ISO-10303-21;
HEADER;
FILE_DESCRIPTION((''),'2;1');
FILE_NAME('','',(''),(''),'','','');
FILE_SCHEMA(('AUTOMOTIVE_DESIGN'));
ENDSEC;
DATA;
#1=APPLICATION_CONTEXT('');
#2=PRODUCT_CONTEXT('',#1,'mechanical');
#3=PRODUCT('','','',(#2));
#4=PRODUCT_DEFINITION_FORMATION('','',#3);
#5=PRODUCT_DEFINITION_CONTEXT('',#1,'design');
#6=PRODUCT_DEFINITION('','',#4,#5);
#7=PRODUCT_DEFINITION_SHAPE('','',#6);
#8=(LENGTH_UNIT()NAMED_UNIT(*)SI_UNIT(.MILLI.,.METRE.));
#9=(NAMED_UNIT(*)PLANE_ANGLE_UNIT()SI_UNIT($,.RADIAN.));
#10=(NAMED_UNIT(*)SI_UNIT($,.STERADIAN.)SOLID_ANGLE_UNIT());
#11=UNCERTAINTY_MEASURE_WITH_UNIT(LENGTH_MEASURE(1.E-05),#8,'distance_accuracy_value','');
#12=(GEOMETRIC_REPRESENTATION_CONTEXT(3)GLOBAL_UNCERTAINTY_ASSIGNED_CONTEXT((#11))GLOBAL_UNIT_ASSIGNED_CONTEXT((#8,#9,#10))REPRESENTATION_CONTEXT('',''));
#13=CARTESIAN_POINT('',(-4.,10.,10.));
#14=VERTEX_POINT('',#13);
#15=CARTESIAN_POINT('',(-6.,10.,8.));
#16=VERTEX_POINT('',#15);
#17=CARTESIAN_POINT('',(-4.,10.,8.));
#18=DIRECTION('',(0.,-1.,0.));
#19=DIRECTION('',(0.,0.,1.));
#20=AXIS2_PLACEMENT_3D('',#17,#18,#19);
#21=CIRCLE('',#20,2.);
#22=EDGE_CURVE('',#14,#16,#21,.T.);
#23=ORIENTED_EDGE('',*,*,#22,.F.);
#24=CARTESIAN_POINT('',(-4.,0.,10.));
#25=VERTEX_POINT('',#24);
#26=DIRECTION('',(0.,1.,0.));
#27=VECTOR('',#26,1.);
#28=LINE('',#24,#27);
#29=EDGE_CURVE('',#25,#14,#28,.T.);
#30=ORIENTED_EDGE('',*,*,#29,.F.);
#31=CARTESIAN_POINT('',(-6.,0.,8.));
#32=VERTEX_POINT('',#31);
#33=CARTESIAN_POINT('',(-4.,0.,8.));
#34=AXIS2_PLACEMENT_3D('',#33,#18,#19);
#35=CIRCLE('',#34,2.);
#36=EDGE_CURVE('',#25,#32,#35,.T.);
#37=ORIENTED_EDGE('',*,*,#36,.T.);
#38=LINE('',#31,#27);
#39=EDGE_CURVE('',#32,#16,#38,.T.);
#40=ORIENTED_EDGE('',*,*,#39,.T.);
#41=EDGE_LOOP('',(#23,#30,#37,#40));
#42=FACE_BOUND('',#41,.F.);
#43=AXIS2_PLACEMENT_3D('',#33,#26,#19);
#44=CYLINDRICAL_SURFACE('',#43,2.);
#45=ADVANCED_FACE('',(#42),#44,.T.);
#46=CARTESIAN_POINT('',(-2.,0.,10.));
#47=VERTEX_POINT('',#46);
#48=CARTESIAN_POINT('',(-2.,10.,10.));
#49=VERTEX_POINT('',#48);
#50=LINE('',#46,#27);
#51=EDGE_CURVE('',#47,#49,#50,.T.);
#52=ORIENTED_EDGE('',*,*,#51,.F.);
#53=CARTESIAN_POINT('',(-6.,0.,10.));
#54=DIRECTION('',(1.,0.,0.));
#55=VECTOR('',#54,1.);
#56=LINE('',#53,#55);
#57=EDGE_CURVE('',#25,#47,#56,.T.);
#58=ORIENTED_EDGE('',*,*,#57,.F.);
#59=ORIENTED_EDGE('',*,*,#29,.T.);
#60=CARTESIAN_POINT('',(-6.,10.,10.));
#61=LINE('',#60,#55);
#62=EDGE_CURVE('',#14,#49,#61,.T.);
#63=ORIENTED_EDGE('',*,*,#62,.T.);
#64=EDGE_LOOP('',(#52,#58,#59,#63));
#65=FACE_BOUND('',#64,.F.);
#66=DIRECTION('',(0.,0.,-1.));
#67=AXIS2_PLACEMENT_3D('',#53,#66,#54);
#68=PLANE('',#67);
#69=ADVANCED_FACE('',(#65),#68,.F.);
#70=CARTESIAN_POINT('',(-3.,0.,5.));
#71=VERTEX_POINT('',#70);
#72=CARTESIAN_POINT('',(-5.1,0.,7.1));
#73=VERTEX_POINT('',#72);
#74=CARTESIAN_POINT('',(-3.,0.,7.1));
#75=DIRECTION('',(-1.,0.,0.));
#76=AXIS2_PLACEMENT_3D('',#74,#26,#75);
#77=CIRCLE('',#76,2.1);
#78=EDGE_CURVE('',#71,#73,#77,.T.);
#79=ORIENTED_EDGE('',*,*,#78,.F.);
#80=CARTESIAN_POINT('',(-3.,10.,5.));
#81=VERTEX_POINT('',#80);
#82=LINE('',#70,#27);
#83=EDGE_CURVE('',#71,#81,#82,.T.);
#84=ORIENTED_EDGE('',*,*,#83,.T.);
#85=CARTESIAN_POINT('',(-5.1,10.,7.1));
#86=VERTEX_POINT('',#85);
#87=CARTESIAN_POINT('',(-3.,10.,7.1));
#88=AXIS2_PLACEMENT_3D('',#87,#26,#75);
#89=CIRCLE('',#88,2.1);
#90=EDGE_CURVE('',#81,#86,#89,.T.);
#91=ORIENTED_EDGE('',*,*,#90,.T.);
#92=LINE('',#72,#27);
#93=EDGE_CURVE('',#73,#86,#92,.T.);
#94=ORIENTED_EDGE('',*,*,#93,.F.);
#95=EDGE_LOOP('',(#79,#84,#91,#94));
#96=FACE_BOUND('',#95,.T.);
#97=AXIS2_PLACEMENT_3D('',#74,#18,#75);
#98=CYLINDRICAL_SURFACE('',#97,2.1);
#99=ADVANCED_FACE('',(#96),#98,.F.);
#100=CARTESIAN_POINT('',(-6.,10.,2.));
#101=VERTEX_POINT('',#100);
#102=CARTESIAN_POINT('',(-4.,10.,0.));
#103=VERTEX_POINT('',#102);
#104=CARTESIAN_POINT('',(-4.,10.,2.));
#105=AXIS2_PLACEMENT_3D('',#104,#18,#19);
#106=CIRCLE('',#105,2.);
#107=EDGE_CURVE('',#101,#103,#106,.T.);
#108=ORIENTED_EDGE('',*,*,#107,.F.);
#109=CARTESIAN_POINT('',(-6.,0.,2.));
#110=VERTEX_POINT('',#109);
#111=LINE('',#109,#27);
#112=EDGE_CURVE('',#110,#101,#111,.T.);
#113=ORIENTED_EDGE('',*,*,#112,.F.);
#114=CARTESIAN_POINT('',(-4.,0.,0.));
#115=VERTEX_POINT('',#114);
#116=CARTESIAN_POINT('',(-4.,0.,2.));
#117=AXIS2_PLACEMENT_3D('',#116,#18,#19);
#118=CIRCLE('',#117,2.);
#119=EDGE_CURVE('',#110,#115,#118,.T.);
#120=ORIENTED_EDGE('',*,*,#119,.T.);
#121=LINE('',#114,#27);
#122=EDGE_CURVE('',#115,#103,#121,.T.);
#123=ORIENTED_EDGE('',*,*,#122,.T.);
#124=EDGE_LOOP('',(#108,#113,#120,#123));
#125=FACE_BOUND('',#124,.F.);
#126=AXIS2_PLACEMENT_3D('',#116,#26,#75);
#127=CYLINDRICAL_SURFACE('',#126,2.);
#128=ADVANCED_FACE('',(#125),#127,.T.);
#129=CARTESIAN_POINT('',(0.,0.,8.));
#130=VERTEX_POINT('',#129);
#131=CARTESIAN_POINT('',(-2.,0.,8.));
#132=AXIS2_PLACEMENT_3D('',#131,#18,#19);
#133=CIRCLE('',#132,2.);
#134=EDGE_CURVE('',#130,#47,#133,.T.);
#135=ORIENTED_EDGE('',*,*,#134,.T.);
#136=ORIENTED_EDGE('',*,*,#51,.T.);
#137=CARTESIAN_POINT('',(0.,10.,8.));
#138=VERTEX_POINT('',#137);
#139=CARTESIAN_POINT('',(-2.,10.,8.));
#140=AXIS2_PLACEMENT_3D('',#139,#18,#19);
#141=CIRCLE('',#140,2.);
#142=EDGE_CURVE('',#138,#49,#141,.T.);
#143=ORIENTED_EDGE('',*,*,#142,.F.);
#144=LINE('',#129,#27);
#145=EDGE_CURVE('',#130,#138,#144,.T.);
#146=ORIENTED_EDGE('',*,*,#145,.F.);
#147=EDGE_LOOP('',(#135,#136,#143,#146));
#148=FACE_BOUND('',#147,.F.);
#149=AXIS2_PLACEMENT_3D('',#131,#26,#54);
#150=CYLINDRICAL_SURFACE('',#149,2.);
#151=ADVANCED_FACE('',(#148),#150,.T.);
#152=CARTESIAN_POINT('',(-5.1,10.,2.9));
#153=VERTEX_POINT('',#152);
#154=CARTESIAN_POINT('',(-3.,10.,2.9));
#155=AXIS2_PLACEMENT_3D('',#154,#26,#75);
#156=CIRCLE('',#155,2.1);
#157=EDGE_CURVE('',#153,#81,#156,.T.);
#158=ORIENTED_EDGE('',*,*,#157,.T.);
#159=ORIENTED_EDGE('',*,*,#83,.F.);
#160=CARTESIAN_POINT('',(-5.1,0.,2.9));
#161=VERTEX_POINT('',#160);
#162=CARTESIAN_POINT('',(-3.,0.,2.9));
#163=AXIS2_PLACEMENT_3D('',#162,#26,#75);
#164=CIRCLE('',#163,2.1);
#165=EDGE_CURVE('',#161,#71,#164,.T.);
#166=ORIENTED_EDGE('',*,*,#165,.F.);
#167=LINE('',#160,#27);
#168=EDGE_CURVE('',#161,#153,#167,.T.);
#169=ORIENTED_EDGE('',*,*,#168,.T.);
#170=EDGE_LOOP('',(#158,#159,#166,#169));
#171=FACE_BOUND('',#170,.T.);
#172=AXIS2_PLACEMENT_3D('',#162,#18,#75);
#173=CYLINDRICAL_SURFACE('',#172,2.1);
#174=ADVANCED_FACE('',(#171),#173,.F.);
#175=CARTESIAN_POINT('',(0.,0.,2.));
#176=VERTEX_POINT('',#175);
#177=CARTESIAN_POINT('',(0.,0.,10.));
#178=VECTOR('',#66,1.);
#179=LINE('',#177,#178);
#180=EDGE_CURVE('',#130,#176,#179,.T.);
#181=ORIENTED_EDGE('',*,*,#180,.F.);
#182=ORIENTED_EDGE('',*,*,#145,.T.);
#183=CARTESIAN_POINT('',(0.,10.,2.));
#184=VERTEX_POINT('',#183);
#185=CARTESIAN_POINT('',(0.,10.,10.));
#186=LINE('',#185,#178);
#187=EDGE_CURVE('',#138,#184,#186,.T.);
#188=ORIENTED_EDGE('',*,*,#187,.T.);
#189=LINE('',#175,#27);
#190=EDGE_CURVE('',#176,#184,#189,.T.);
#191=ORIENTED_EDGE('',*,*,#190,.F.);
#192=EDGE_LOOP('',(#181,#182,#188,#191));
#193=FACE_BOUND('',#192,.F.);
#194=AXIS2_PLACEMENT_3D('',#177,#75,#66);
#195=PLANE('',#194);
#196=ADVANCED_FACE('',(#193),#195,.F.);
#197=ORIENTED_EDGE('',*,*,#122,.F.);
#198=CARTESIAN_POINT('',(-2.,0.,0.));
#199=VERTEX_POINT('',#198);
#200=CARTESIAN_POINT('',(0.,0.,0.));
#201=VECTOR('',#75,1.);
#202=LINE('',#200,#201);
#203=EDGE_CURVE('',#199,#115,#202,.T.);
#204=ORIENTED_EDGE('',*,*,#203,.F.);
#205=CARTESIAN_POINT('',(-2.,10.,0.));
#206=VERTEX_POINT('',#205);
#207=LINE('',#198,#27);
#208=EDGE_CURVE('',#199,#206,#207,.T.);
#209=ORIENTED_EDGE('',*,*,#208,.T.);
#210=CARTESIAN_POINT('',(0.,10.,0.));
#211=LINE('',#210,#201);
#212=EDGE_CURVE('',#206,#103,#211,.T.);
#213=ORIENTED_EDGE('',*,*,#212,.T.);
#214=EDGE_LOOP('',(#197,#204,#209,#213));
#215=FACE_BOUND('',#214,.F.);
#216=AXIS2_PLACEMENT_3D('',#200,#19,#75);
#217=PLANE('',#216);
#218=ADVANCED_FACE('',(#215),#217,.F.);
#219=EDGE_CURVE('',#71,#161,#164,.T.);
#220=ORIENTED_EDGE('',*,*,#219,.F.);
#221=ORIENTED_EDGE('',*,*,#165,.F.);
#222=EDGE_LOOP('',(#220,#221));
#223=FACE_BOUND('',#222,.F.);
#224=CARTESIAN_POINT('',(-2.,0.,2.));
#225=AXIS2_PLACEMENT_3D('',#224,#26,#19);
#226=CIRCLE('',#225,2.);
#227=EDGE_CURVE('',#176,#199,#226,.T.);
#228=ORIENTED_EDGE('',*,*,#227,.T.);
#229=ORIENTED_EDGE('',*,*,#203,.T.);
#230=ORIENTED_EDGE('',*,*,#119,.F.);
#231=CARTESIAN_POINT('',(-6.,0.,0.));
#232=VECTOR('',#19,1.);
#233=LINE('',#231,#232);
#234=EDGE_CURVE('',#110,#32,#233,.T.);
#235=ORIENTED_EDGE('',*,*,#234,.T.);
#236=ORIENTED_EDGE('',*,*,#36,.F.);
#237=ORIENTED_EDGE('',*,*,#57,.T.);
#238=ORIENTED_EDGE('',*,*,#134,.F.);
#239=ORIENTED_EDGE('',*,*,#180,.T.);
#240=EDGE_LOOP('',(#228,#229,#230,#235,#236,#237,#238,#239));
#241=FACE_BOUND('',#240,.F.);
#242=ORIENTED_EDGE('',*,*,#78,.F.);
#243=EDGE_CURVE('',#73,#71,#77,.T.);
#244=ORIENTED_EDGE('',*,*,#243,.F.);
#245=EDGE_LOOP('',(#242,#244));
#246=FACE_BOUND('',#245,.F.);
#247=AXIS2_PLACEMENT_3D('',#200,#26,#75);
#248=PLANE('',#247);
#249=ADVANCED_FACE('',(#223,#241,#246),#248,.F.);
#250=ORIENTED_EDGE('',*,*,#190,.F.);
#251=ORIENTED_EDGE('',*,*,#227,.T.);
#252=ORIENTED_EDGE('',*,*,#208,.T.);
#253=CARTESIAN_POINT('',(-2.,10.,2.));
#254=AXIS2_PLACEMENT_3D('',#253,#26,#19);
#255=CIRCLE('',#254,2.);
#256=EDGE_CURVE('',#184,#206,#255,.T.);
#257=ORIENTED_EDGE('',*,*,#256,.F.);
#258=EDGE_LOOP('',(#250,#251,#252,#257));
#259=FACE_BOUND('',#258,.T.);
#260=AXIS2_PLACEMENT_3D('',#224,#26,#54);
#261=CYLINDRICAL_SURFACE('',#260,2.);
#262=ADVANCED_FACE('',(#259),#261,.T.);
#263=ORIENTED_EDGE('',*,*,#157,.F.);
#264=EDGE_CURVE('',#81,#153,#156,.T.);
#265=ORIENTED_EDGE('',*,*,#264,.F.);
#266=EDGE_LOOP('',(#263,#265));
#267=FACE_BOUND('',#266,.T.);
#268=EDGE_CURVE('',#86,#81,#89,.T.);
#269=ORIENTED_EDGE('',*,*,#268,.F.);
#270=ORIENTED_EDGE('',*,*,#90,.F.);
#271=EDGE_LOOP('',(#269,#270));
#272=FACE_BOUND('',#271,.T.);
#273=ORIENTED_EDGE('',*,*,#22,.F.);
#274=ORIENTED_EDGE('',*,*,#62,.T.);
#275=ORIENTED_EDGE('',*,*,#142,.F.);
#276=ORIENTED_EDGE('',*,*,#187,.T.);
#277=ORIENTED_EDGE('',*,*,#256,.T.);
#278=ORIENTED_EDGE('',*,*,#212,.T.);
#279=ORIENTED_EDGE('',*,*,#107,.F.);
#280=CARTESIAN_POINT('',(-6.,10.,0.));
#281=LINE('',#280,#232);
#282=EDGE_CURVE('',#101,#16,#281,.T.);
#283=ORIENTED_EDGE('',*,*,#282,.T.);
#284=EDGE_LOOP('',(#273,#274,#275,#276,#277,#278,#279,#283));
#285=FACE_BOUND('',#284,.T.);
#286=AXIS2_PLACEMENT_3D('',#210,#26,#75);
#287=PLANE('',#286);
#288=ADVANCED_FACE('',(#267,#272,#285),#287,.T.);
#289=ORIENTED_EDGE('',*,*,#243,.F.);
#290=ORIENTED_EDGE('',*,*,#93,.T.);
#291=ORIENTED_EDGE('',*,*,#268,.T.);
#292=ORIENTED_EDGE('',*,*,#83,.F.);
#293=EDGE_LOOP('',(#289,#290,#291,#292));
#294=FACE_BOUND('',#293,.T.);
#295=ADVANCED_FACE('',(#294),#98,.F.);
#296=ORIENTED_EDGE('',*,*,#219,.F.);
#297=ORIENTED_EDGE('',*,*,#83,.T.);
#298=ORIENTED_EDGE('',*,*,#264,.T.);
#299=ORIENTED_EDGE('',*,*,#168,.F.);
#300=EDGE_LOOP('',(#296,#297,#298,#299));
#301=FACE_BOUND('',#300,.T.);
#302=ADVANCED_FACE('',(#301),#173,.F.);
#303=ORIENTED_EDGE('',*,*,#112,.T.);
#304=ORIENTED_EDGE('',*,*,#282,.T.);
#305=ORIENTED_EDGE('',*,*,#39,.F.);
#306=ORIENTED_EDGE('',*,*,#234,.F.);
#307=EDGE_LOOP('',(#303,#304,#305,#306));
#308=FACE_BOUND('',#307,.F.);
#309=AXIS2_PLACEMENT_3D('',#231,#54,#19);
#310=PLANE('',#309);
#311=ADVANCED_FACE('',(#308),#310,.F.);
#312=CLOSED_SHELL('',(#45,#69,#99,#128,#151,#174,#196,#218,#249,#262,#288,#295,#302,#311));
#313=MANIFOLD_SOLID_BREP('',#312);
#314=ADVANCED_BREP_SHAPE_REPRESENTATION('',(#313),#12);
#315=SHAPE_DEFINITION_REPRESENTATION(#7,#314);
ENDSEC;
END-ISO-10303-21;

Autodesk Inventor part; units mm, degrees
ref_plane "YZ Plane" through (0, 0, 0) normal (1, 0, 0) x (0, 1, 0)
ref_plane "XZ Plane" through (0, 0, 0) normal (0, 1, 0) x (-1, 0, 0)
ref_plane "XY Plane" through (0, 0, 0) normal (0, 0, 1) x (1, 0, 0)
sketch "Skizze1" plane through (0, 0, 0) normal (0, 1, 0) x (-1, 0, 0)
  line L0 (0, 0) -> (6, 0)
  line L1 (6, 0) -> (6, 10)
  line L2 (6, 10) -> (0, 10)
  line L3 (0, 10) -> (0, 0)
  circle A0 centre (3, 2.9) radius 2.1
  circle A1 centre (3, 7.1) radius 2.1
  dimension "d0" = 6
  dimension "d1" = 10
  dimension "d2" = 4.2
  dimension "d3" = 4.2
  dimension "d4" = 2.9
  dimension "d5" = 2.9
  dimension "d6" = 3
  dimension "d7" = 3
extrude "Extrusion1" add sketch "Skizze1" along normal blind 10
fillet "Rundung1" radius 2 4 edges at (-6, 5, 0) (-6, 5, 10) (0, 5, 10) (0, 5, 0)
equation "\"d7\" = d6"
properties part number "bowden_tube_combiner"
